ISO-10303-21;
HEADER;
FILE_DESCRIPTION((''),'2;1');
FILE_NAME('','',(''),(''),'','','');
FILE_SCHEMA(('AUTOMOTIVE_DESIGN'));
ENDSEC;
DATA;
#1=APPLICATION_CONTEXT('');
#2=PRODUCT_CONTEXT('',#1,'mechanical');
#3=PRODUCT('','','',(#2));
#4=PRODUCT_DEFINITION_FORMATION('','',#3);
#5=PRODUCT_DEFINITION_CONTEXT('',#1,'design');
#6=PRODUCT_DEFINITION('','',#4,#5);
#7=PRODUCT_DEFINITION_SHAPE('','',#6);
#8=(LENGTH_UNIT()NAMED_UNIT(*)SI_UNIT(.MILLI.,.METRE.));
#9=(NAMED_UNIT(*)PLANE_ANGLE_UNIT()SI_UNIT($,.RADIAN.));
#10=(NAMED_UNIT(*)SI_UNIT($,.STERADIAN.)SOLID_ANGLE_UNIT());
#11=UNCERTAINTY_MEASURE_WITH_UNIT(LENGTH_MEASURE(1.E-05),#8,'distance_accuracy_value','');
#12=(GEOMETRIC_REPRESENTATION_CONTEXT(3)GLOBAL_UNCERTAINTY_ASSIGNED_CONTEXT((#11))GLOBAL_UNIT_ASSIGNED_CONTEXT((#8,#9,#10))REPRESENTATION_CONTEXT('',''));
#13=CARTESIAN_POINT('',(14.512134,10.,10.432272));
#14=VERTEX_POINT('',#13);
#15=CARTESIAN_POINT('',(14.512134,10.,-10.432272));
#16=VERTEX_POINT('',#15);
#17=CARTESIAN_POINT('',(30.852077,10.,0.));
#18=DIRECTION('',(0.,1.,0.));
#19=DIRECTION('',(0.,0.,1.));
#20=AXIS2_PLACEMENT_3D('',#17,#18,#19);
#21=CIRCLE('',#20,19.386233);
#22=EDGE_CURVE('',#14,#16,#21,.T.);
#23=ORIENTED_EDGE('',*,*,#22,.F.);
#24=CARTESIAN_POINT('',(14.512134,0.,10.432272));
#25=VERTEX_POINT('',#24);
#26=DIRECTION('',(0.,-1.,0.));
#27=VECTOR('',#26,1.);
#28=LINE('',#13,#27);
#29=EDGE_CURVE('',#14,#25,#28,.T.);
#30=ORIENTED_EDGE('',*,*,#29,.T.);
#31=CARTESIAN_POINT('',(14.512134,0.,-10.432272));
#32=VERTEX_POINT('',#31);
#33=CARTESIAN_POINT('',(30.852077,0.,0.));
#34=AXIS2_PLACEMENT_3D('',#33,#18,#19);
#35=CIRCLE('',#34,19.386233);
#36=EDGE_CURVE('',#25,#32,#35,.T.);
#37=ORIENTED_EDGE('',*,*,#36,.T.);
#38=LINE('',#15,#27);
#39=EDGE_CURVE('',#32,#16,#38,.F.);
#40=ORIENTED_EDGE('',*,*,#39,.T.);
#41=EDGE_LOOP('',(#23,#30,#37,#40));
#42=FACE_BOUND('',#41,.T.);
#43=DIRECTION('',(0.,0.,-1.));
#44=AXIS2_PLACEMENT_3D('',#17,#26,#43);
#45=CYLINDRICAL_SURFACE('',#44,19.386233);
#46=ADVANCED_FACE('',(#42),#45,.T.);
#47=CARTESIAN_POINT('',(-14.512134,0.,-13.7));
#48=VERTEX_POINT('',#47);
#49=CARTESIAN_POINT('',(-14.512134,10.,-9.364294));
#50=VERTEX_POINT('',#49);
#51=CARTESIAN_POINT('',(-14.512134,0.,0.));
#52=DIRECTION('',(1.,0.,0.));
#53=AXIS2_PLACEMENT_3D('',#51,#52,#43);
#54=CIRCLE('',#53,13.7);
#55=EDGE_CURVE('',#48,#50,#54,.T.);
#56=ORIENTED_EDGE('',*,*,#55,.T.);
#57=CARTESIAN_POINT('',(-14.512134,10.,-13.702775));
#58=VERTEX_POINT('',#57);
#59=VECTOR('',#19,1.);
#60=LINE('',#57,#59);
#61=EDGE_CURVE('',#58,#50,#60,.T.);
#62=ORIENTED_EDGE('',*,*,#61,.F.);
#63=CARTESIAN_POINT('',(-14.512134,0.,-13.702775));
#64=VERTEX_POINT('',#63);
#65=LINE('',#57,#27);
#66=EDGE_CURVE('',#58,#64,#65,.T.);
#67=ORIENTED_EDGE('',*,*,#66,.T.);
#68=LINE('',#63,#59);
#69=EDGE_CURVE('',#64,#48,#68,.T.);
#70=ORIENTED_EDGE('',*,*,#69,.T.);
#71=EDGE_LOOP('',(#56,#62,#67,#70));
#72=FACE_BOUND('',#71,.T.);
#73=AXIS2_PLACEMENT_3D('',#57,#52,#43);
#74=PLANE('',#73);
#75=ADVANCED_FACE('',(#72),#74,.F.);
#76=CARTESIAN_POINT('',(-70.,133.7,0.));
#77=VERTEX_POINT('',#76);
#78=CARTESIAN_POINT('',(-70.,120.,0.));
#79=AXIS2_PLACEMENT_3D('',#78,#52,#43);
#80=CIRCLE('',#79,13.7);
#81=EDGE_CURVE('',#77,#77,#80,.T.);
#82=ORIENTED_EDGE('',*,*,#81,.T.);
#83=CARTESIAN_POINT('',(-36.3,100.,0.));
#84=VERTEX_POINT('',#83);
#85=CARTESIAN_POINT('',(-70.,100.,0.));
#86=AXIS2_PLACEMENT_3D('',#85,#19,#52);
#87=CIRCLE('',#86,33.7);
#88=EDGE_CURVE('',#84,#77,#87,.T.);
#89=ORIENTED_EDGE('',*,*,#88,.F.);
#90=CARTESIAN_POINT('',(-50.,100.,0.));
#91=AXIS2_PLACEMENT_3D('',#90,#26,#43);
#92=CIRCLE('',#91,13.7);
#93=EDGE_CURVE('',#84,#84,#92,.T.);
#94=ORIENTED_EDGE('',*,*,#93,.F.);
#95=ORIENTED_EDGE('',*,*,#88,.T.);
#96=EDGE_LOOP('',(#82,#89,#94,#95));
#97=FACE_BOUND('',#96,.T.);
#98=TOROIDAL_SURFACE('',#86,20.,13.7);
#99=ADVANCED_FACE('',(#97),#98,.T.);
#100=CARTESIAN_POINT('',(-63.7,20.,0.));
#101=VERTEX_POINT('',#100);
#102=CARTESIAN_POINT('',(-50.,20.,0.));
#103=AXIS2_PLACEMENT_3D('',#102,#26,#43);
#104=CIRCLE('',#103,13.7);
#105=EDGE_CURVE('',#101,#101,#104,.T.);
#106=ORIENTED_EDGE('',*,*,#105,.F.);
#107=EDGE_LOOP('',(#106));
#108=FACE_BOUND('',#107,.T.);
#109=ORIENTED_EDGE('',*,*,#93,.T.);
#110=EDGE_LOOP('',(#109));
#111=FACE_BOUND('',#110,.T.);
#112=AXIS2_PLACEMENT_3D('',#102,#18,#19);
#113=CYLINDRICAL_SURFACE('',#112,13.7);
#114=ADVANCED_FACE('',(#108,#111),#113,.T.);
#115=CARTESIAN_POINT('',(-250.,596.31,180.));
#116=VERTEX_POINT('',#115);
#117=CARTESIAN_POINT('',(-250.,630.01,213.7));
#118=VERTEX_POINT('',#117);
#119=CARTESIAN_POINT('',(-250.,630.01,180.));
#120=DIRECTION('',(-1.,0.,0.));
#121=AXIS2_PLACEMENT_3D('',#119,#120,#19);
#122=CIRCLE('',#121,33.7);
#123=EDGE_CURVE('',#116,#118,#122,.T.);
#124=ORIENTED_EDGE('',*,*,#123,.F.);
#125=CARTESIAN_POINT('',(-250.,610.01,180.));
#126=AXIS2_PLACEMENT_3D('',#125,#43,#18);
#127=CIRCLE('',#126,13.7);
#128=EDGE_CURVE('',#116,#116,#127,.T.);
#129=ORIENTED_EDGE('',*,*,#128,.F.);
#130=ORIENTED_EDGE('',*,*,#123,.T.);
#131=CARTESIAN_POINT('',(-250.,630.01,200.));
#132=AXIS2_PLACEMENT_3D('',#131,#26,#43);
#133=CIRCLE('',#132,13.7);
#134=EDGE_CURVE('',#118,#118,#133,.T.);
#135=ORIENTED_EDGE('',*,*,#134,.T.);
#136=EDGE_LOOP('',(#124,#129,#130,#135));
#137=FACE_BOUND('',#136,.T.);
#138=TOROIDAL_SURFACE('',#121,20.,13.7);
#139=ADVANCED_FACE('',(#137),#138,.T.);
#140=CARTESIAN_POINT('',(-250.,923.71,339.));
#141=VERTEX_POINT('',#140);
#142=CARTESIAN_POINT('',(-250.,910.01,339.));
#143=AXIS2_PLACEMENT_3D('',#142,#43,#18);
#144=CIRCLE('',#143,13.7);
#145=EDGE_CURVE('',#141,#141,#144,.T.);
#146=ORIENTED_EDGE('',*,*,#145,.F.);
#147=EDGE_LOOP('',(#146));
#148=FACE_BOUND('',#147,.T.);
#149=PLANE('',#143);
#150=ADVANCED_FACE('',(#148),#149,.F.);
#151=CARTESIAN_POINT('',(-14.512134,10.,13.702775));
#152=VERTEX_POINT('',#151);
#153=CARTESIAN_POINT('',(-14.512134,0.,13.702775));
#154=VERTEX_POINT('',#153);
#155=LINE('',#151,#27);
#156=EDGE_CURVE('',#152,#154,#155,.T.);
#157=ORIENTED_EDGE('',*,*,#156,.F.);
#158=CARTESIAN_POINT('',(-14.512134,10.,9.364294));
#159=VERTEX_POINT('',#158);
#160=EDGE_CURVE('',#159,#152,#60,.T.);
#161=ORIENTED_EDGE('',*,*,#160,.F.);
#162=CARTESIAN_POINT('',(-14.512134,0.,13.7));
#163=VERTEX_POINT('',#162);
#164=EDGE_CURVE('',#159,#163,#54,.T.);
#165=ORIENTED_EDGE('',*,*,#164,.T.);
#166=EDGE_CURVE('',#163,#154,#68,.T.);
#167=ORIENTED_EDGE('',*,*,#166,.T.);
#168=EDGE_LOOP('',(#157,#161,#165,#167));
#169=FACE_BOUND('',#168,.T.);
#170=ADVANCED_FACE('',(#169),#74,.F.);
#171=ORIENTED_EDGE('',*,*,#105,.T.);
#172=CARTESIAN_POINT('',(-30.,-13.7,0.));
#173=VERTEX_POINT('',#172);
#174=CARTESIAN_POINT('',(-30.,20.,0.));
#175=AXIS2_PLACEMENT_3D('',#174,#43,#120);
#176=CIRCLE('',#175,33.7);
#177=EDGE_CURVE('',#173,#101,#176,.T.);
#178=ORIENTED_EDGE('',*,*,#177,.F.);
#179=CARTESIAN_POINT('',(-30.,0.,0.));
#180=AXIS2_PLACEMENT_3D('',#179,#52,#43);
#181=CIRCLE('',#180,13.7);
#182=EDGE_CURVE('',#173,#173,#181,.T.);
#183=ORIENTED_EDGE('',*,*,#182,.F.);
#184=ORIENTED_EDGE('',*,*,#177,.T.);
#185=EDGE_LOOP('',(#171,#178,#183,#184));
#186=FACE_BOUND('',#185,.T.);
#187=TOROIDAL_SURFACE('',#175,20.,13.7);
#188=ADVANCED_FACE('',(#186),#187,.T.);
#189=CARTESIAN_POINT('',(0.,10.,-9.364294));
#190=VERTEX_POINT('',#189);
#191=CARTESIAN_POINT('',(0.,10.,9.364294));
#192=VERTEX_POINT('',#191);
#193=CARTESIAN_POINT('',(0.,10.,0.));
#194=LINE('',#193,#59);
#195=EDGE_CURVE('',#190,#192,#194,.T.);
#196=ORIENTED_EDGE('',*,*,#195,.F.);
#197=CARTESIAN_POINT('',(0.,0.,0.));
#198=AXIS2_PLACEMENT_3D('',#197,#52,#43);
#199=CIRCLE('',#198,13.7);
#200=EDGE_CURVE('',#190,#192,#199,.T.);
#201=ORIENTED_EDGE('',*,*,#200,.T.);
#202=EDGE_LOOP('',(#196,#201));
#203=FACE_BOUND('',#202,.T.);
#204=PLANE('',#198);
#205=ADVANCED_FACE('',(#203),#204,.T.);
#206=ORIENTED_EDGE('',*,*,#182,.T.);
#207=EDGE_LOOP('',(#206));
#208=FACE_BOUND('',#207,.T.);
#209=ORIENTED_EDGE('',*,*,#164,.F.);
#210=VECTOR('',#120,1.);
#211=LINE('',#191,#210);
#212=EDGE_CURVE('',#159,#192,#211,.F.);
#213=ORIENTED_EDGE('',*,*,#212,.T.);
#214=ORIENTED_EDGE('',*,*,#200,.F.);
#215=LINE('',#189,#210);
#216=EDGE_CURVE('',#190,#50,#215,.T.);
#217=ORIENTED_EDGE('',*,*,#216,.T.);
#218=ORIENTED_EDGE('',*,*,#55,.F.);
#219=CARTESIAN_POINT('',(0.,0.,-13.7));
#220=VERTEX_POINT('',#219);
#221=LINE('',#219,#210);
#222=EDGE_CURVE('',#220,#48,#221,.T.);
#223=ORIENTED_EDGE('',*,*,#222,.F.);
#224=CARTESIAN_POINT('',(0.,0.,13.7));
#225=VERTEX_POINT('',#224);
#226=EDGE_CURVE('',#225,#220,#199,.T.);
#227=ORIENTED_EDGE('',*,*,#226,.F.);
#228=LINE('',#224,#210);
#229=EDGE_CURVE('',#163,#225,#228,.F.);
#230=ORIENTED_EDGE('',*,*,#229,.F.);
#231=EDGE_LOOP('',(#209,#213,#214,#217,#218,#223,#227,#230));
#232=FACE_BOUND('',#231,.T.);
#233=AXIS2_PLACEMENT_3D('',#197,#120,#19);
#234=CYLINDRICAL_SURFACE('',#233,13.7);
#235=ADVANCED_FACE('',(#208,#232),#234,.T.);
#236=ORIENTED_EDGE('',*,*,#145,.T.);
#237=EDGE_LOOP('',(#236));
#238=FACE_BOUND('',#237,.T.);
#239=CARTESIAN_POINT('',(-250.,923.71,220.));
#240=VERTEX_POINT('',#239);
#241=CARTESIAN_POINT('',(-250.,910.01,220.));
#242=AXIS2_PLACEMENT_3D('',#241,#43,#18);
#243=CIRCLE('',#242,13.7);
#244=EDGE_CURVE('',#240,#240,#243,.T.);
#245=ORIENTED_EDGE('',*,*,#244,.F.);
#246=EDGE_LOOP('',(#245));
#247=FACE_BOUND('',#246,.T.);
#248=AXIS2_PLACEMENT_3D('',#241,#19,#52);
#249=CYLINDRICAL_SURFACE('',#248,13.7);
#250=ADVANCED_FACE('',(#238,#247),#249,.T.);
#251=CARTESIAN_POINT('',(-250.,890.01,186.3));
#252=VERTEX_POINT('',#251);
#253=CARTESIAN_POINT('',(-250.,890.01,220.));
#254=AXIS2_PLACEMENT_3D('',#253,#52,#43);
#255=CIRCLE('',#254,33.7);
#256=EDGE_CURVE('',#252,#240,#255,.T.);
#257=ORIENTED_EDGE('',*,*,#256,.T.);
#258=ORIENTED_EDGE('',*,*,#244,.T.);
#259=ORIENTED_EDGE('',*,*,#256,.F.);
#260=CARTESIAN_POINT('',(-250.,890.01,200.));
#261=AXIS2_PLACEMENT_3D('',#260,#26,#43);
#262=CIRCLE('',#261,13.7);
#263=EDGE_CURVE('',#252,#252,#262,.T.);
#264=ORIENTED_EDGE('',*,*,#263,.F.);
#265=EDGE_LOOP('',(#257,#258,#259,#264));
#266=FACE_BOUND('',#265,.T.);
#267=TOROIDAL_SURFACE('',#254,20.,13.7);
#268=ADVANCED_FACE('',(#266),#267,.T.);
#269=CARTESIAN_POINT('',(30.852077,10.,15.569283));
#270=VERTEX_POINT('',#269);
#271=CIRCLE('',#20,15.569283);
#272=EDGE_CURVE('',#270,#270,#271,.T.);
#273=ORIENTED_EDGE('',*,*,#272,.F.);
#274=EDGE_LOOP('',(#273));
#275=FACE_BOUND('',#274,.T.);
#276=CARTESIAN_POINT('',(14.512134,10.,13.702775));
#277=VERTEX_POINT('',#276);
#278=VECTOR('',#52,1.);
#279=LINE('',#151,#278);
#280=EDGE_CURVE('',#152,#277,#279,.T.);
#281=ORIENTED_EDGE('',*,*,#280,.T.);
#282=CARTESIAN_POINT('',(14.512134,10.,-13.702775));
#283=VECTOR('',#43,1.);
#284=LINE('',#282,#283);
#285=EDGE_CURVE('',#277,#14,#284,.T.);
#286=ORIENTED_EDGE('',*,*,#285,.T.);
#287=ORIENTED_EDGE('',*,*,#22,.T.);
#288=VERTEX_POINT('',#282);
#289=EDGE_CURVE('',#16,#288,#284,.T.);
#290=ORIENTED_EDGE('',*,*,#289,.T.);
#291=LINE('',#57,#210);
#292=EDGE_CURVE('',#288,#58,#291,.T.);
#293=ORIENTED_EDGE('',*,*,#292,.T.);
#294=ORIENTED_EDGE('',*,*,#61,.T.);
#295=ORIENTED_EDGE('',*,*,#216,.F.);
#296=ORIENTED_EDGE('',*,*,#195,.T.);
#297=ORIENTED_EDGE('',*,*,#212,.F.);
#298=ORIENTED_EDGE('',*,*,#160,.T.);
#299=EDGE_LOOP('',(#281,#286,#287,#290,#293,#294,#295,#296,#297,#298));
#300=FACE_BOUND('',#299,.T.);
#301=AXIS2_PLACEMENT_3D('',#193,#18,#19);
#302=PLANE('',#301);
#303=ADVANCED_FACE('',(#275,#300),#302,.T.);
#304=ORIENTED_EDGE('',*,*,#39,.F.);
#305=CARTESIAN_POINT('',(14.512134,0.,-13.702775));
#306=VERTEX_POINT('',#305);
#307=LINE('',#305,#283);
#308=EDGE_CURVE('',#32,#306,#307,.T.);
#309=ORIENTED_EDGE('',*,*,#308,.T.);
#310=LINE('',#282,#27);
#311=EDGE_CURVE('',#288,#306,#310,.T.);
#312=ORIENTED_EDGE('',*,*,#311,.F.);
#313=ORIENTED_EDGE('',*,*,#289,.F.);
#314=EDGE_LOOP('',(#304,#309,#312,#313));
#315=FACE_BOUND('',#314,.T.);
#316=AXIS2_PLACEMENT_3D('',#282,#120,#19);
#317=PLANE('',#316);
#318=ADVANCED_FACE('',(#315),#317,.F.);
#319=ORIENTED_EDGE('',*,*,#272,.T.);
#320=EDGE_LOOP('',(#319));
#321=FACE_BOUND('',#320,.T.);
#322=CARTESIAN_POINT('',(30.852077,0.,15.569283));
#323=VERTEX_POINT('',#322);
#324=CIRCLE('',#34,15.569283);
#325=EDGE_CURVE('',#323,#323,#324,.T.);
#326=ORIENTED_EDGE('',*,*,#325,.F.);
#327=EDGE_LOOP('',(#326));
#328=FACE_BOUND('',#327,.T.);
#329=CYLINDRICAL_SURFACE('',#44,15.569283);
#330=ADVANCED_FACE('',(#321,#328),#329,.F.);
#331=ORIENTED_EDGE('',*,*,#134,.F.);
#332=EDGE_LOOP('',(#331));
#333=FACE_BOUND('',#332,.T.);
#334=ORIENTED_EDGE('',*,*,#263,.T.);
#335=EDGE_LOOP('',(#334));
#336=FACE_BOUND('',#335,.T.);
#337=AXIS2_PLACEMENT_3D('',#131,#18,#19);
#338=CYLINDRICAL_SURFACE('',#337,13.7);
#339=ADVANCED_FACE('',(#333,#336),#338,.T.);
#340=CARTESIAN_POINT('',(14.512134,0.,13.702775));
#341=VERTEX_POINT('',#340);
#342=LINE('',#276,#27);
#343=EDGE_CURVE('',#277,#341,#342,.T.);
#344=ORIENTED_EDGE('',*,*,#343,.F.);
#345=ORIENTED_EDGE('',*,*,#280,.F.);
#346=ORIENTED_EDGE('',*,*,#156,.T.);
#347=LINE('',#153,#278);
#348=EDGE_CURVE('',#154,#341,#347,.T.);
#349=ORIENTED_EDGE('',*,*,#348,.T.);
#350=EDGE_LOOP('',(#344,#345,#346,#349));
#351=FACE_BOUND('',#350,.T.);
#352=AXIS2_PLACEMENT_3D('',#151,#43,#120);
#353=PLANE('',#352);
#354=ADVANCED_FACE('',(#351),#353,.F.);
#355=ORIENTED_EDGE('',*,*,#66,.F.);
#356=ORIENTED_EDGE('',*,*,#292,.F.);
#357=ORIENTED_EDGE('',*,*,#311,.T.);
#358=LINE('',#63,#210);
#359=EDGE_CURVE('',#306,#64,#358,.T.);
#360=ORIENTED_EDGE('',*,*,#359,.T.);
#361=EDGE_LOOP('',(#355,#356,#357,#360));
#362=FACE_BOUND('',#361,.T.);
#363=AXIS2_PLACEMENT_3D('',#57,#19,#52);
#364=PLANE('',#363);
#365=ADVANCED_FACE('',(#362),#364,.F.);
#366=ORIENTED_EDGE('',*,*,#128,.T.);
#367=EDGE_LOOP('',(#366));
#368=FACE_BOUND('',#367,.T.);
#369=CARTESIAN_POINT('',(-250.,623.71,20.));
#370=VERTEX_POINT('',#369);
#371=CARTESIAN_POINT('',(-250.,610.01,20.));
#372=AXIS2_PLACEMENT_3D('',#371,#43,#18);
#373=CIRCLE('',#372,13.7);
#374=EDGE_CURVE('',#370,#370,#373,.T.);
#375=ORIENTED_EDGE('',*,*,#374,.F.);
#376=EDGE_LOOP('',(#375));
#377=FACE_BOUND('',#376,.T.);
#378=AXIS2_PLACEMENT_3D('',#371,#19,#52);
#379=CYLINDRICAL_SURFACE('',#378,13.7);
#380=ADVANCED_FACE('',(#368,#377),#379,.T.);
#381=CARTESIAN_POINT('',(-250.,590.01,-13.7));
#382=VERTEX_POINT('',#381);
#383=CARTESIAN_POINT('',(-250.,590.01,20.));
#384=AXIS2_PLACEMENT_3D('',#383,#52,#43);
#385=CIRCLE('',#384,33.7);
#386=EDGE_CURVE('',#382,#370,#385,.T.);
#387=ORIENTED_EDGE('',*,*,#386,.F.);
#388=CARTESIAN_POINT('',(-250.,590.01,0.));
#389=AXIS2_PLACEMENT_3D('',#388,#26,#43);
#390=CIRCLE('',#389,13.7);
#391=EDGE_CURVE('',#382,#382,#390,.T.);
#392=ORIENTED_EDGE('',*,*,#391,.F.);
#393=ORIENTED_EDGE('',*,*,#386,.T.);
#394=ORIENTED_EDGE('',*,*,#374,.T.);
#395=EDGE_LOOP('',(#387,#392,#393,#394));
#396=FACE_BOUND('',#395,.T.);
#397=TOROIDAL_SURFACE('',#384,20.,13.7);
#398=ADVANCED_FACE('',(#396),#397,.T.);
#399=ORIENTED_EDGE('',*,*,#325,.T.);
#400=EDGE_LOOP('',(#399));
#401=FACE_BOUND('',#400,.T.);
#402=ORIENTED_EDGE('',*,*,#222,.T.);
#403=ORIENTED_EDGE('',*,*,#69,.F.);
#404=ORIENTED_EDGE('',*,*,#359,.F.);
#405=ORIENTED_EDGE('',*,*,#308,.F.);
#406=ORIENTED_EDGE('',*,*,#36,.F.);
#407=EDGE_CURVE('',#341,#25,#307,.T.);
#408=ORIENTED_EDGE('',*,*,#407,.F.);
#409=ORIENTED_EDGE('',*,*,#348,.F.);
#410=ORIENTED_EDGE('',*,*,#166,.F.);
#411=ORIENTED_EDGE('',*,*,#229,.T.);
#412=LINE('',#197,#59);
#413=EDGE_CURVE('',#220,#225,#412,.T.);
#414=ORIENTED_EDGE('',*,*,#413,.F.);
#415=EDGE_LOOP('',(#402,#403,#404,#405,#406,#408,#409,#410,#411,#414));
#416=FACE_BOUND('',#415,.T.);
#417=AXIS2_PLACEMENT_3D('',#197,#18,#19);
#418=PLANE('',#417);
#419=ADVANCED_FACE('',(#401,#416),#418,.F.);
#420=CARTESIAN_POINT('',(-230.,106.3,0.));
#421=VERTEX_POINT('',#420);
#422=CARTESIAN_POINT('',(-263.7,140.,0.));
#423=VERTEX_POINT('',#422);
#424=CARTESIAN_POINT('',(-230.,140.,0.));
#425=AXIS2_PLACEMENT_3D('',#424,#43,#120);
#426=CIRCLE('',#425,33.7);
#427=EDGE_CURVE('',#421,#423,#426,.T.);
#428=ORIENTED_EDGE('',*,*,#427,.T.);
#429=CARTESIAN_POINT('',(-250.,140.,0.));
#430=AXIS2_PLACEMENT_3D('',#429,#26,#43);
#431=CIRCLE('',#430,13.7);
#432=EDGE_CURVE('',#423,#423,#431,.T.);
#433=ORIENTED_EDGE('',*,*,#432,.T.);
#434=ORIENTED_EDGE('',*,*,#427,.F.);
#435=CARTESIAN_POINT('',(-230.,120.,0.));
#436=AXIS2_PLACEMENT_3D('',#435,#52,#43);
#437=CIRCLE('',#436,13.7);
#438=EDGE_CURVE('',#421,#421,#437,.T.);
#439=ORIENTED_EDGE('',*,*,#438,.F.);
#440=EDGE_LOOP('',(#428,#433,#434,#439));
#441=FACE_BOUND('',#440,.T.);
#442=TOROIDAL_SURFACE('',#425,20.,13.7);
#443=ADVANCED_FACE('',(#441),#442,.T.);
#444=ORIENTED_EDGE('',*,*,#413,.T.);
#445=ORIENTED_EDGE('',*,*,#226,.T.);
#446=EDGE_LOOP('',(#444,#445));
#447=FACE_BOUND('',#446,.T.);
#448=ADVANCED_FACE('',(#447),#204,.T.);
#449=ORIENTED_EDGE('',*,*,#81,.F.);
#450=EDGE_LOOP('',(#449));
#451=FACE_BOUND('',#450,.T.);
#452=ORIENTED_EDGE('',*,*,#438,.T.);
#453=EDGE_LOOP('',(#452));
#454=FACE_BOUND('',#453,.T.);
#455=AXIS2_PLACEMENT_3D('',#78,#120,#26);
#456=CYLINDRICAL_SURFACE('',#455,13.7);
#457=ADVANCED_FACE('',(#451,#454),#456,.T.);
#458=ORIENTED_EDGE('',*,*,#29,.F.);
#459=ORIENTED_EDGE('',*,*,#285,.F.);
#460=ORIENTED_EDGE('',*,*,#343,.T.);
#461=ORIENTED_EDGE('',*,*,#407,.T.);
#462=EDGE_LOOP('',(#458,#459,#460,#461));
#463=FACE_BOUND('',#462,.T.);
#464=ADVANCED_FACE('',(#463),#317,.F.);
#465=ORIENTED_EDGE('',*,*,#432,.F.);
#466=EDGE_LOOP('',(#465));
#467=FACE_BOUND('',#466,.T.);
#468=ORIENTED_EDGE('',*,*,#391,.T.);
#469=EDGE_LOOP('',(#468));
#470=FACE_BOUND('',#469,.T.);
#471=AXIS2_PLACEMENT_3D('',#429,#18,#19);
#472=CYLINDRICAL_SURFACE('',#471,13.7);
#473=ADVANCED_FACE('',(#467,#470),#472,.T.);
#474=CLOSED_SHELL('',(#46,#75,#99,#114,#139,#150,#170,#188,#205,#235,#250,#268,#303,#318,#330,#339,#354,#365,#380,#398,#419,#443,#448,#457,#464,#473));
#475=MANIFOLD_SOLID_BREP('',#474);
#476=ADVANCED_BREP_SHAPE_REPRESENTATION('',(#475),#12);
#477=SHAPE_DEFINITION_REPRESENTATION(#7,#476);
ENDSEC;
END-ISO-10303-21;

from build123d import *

# Parameters (mm, degrees)
CROQUIS1_R              = 13.7
CROQUIS2_R              = 19.386232946
CROQUIS2_R_2            = 15.569283249
SALIENTE_EXTRUIR1_DEPTH = 10
CROQUIS3_W              = 29.024267222
CROQUIS3_H              = 27.405549086
SALIENTE_EXTRUIR2_DEPTH = 10


with BuildPart() as part:
    # Barrer1: sweep along a curve in space
    with BuildLine() as barrer1_path:
        Line((0, 0, 0), (-30, 0, 0))
        ThreePointArc((-30, 0, 0), (-44.142135624, 5.857864376, 0), (-50, 20, 0))
        Line((-50, 20, 0), (-50, 100, 0))
        ThreePointArc((-50, 100, 0), (-55.857864376, 114.142135624, 0), (-70, 120, 0))
        Line((-70, 120, 0), (-230, 120, 0))
        ThreePointArc((-230, 120, 0), (-244.142135624, 125.857864376, 0), (-250, 140, 0))
        Line((-250, 140, 0), (-250, 590.01, 0))
        ThreePointArc((-250, 590.01, 0), (-250, 604.152135624, 5.857864376), (-250, 610.01, 20))
        Line((-250, 610.01, 20), (-250, 610.01, 180))
        ThreePointArc((-250, 610.01, 180), (-250, 615.867864376, 194.142135624), (-250, 630.01, 200))
        Line((-250, 630.01, 200), (-250, 890.01, 200))
        ThreePointArc((-250, 890.01, 200), (-250, 904.152135624, 205.857864376), (-250, 910.01, 220))
        Line((-250, 910.01, 220), (-250, 910.01, 339))
    # Croquis1 → Barrer1 (sweep)
    with BuildSketch(Plane(origin=(0, 0, 0), x_dir=(0, 0, -1), z_dir=(1, 0, 0))):
        Circle(CROQUIS1_R)
    sweep(path=barrer1_path.line)



with BuildPart() as body_2:
    # Croquis2 → Saliente-Extruir1 (new body)
    with BuildSketch(Plane(origin=(0, 0, 0), x_dir=(1, 0, 0), z_dir=(0, 1, 0))):
        with Locations((30.852076519, 0)):
            Circle(CROQUIS2_R)
        with Locations((30.852076519, 0)):
            Circle(CROQUIS2_R_2, mode=Mode.SUBTRACT)
    extrude(amount=SALIENTE_EXTRUIR1_DEPTH)


with BuildPart() as part_1:
    add(part.part)

    add(body_2.part)  # Saliente-Extruir2 merges body 2
    # Croquis3 → Saliente-Extruir2 (add)
    with BuildSketch(Plane(origin=(0, 0, 0), x_dir=(1, 0, 0), z_dir=(0, 1, 0))):
        Rectangle(CROQUIS3_W, CROQUIS3_H)
    extrude(amount=SALIENTE_EXTRUIR2_DEPTH)


solid = part_1.part
